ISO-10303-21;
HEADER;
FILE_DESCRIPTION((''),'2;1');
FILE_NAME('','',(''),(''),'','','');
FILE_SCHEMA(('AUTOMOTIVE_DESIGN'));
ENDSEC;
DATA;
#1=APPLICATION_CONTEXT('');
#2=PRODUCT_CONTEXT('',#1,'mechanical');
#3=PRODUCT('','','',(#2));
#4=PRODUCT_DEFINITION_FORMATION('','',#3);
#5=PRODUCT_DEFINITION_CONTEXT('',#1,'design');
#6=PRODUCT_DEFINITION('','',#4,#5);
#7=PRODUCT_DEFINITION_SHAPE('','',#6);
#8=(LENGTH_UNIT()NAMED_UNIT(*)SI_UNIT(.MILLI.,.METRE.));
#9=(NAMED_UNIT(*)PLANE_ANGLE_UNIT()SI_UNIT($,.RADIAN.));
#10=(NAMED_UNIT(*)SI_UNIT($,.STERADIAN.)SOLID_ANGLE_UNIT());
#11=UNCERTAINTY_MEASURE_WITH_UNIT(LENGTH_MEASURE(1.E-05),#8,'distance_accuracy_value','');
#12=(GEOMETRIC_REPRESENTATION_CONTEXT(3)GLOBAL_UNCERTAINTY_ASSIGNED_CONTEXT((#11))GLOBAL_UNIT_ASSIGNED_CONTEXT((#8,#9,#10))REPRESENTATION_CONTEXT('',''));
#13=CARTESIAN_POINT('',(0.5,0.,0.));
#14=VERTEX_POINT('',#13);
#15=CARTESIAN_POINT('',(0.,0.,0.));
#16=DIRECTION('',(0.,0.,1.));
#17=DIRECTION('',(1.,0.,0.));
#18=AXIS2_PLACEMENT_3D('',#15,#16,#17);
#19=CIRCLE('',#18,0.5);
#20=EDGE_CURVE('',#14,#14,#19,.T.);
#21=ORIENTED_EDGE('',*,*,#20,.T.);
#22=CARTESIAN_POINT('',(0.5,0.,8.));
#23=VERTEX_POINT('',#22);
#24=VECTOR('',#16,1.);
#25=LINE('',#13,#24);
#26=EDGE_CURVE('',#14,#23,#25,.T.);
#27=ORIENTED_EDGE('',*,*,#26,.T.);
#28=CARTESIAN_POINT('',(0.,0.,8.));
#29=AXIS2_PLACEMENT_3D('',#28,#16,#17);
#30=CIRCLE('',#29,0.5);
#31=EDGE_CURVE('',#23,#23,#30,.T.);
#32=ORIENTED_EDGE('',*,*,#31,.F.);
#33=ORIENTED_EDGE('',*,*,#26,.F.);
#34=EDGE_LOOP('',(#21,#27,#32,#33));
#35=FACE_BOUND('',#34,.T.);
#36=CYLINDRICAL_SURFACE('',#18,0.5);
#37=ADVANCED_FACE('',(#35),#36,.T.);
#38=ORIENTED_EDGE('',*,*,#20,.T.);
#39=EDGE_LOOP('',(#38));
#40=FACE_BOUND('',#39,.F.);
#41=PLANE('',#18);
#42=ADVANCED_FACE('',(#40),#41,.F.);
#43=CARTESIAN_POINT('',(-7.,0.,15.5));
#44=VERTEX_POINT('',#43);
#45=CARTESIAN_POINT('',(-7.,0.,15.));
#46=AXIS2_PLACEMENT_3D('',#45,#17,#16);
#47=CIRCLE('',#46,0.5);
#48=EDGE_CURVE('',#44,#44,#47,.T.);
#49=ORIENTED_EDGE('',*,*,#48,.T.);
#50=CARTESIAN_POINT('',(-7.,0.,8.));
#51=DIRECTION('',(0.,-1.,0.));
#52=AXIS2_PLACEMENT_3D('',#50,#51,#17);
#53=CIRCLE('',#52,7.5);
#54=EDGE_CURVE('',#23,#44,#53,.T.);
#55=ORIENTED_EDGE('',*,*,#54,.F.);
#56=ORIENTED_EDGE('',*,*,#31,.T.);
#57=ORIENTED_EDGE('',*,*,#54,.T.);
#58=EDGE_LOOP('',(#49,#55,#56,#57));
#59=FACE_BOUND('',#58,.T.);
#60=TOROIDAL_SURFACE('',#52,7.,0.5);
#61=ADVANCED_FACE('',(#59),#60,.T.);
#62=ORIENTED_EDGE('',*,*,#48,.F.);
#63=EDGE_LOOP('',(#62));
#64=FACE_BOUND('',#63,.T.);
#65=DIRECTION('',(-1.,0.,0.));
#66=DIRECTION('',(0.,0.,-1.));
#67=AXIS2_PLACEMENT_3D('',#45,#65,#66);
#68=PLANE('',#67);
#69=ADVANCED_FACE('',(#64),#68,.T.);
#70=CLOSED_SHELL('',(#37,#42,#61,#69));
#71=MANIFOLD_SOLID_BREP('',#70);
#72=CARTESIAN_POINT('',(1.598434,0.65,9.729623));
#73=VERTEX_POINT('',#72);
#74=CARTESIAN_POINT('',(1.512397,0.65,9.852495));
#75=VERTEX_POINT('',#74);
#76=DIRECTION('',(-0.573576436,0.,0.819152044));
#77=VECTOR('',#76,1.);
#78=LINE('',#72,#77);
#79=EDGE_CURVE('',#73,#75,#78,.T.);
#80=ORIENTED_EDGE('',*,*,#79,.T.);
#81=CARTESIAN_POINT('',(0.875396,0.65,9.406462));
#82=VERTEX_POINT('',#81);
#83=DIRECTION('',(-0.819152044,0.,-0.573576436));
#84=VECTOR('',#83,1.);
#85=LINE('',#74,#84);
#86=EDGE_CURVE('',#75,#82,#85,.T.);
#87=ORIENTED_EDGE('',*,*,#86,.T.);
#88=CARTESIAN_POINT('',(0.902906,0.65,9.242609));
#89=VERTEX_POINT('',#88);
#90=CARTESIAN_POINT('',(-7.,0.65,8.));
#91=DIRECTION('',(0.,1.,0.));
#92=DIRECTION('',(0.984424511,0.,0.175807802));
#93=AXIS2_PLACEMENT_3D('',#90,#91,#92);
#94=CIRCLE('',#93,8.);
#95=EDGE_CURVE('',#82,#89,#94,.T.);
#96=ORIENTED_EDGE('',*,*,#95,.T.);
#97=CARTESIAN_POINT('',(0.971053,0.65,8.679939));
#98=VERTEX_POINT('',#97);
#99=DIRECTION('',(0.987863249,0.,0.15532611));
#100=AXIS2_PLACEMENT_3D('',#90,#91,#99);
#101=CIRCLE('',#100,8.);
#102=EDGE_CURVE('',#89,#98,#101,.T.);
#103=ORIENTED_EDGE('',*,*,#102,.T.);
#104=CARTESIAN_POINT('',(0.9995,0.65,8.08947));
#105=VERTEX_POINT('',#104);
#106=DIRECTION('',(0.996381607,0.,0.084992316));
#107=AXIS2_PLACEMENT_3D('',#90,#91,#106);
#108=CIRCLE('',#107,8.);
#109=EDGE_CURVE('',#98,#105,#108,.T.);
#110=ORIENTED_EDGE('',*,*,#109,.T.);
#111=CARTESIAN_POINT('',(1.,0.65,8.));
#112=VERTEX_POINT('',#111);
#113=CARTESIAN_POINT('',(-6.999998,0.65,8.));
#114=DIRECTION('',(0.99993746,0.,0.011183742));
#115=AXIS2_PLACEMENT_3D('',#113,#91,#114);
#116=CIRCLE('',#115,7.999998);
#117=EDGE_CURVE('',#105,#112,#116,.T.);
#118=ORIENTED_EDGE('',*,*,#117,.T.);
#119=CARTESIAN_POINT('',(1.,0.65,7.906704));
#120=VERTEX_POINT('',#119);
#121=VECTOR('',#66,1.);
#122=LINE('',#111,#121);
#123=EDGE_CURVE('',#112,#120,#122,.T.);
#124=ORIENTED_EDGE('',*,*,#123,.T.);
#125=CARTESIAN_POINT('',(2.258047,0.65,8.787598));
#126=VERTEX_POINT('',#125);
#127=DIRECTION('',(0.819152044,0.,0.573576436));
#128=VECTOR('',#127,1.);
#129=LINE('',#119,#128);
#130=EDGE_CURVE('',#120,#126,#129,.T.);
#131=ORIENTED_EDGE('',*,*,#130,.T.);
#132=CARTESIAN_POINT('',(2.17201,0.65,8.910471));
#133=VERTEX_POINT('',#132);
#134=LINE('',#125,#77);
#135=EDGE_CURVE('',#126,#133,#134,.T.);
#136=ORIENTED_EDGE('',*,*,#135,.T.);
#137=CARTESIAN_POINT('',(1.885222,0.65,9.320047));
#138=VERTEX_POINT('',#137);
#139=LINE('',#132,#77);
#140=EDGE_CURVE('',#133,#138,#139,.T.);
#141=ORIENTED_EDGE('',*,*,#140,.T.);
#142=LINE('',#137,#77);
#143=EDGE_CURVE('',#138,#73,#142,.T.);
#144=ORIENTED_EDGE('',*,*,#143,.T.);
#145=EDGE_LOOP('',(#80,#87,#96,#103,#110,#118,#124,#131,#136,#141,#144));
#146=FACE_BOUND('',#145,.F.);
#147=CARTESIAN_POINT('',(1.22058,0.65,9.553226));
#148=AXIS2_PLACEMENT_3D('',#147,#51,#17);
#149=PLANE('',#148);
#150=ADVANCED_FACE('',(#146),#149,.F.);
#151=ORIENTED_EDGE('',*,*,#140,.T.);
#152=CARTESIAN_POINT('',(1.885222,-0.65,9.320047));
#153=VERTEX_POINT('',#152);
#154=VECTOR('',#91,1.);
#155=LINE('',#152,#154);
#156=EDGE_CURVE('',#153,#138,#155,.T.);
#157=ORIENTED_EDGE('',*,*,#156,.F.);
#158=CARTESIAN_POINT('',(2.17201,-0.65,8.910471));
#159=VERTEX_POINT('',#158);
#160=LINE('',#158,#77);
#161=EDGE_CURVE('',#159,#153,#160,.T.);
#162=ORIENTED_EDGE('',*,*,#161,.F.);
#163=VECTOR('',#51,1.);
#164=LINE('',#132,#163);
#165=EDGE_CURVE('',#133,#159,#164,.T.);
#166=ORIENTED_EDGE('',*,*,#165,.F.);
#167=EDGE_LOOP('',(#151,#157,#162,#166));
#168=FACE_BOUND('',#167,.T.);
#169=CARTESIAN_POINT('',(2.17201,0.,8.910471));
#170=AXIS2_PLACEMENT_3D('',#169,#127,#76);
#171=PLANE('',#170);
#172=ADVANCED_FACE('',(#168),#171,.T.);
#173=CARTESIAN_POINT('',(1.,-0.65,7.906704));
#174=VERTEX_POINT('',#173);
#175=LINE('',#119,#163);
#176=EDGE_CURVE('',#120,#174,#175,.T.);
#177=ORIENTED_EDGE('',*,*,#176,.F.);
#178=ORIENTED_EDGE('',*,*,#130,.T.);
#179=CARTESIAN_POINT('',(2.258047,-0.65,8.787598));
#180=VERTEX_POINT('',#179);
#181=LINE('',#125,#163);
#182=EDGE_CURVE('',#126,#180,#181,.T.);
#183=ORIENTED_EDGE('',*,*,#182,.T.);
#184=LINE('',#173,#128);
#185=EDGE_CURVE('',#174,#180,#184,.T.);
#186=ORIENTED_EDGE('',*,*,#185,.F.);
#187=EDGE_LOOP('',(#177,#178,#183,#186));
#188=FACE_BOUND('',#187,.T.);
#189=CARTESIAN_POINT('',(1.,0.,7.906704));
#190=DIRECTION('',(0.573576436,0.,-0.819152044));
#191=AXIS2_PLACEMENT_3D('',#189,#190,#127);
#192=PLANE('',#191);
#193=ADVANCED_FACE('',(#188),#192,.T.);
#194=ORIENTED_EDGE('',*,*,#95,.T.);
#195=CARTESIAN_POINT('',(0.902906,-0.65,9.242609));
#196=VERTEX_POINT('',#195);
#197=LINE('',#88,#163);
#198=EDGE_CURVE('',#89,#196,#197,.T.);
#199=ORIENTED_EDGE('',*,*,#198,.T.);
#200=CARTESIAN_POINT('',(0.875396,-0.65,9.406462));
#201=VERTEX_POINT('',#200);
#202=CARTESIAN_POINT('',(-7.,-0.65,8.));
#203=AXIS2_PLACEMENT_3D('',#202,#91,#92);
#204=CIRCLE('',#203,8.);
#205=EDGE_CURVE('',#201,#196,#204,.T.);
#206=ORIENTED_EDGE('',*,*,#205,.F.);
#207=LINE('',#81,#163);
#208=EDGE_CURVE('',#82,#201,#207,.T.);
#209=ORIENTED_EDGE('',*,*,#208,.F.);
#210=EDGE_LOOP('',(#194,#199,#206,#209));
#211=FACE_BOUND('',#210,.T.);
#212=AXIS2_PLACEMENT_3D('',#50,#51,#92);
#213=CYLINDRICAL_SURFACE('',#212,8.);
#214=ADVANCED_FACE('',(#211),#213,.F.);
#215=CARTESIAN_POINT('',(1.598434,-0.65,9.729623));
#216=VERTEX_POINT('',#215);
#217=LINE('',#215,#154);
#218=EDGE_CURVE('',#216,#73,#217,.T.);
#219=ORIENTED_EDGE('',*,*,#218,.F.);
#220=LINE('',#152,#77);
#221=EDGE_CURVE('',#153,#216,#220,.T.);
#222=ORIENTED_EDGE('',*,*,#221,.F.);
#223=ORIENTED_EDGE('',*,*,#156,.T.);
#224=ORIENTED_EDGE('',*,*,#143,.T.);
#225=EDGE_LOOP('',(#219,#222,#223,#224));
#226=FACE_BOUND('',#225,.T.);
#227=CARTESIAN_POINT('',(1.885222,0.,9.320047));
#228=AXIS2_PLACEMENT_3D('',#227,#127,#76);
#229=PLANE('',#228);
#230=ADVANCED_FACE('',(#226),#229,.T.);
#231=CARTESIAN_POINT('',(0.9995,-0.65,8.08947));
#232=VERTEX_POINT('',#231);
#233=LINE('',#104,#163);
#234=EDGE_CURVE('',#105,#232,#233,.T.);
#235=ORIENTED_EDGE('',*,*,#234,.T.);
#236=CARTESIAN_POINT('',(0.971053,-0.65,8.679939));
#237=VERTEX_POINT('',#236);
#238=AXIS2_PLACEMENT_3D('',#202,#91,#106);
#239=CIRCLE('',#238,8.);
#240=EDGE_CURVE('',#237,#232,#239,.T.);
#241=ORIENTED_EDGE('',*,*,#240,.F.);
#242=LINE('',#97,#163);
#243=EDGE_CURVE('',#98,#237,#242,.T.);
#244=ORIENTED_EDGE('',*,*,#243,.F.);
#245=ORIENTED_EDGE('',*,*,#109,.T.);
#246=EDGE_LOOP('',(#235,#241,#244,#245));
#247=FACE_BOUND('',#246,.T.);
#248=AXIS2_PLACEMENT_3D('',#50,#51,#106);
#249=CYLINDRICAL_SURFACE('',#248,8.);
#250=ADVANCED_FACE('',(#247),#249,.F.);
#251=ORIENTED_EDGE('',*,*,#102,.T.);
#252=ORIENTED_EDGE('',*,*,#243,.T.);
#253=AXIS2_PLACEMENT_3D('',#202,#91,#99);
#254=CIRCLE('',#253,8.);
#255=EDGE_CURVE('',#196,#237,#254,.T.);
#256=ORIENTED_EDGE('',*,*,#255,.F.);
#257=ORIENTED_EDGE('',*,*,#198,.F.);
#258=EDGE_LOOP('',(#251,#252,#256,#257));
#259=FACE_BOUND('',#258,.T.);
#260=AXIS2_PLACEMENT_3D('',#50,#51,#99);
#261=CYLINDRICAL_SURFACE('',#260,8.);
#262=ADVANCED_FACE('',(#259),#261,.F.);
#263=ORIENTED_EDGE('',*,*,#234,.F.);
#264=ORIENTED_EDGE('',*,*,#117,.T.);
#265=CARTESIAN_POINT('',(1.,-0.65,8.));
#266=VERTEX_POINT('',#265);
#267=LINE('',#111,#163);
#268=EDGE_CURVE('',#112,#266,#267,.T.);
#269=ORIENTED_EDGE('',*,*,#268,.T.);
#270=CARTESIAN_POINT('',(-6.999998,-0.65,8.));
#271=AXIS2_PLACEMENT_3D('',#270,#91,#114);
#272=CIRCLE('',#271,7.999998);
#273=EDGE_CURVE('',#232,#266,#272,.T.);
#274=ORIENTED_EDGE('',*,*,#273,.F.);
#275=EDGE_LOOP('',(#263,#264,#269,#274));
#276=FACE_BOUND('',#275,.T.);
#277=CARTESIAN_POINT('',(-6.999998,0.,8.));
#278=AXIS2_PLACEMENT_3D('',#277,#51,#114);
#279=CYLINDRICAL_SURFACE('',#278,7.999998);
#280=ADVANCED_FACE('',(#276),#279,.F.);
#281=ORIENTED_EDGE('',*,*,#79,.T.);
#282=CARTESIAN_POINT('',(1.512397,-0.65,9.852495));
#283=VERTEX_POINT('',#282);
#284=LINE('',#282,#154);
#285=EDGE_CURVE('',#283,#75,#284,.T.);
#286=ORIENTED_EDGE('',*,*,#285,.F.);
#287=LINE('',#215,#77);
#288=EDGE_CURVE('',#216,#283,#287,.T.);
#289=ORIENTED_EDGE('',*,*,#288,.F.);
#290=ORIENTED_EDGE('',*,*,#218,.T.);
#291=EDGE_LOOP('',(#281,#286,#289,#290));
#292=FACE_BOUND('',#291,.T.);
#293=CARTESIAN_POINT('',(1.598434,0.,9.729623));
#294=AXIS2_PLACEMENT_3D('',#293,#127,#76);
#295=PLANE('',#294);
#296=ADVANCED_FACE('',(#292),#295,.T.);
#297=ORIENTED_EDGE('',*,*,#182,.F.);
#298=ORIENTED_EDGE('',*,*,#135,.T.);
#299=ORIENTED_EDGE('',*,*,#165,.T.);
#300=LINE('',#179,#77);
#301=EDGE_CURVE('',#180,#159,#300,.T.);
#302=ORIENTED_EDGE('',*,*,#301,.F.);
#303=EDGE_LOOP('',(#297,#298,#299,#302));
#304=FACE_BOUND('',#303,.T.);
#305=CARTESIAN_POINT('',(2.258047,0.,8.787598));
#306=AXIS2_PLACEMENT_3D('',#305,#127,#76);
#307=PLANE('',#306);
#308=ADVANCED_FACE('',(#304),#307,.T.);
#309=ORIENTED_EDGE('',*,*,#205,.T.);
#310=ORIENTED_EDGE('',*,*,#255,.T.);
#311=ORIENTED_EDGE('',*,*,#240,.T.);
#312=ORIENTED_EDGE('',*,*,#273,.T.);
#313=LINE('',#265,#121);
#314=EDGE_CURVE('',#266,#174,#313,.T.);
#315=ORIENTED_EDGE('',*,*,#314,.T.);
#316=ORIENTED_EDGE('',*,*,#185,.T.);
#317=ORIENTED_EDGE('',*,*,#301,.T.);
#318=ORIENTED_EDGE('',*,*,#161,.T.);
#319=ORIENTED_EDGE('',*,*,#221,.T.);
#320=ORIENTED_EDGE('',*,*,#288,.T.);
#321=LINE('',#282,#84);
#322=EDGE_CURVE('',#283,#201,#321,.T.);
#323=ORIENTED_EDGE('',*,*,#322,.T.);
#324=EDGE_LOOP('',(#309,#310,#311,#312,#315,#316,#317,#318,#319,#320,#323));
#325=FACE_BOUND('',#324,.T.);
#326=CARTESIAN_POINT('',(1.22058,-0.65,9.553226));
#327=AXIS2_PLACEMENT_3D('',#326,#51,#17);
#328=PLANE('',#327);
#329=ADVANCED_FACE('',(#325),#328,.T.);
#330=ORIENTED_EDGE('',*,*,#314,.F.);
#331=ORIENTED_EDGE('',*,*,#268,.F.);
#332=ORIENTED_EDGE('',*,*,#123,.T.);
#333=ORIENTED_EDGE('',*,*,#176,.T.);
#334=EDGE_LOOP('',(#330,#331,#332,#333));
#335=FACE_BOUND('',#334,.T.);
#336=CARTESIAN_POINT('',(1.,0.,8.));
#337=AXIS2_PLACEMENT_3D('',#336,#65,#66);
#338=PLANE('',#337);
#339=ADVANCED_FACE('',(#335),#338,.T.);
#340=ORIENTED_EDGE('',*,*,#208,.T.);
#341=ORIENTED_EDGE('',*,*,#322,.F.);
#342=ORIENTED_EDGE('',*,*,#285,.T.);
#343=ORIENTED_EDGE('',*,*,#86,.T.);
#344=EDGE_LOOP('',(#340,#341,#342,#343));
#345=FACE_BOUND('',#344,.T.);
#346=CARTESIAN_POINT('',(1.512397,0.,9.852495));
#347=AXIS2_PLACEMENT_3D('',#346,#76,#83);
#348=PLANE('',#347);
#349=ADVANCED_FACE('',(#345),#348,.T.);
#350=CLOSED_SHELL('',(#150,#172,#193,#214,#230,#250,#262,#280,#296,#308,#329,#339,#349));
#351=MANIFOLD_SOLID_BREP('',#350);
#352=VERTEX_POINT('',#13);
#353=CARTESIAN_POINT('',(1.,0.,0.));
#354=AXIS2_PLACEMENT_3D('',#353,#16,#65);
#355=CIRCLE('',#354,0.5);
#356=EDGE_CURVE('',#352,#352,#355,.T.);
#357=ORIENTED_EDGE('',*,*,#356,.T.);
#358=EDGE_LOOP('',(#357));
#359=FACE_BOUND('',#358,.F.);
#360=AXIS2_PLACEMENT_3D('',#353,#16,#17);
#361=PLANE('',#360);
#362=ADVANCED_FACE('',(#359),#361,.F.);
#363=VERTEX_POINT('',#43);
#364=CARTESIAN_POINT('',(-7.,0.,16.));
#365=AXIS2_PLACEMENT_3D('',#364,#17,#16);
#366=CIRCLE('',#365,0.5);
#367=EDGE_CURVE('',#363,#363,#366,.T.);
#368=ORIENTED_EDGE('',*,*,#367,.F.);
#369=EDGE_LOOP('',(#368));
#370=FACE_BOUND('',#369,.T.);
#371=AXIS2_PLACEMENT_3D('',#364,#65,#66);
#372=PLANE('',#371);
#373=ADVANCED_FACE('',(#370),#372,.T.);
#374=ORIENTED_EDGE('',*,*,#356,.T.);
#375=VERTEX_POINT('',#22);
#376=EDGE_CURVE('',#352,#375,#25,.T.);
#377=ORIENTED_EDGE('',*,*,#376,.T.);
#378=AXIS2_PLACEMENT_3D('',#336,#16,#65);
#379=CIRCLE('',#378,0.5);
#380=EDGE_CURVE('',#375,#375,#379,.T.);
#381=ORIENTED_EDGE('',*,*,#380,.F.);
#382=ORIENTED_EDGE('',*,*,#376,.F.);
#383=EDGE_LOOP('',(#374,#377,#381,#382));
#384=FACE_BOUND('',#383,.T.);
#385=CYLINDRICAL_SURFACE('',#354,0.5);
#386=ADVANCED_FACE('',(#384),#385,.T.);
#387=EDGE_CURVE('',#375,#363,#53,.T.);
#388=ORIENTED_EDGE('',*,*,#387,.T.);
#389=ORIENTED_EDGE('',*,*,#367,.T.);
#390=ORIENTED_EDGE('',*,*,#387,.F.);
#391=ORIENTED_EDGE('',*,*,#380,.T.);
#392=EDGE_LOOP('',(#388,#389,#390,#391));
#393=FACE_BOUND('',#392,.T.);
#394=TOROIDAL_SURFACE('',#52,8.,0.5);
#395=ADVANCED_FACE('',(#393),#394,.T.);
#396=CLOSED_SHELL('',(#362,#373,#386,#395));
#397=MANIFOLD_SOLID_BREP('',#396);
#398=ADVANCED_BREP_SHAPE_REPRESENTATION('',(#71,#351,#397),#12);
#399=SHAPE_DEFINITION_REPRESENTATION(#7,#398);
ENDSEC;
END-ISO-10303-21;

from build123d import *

# Parameters (mm, degrees)
F1_R     = 0.5
F3_DEPTH = 0.65


with BuildPart() as f2:
    # F2: sweep along a path in F0
    with BuildLine(Plane.XZ) as f2_path:
        Line((0, 0), (0, 8))
        ThreePointArc((0, 8), (-2.0502525317, 12.9497474683), (-7, 15))
    # F1 (on Top) → F2 (sweep)
    with BuildSketch(Plane.XY):
        with BuildLine():
            ThreePointArc((1.5, 0), (1, 0.5), (0.5, 0))
            ThreePointArc((0.5, 0), (1, -0.5), (1.5, 0))
        make_face()
        Circle(F1_R)
    sweep(path=f2_path.line)


with BuildPart() as f3:
    # F0 (on Front) → F3 (new body, symmetric)
    with BuildSketch(Plane.XZ):
        with BuildLine():
            Line((1.5123971976, 9.8524954013), (0.875396083, 9.4064624189))
            ThreePointArc((0.875396083, 9.4064624189), (0.8895764218, 9.3246070677), (0.9029059955, 9.2426088788))
            Line((0.9029059955, 9.2426088788), (1.5984336631, 9.7296225946))
            Line((1.5984336631, 9.7296225946), (1.5123971976, 9.8524954013))
        make_face()
        with BuildLine():
            ThreePointArc((0.9029059955, 9.2426088788), (0.9419639806, 8.9618773995), (0.9710528538, 8.6799385282))
            Line((0.9710528538, 8.6799385282), (1.8852218813, 9.3200465725))
            Line((1.8852218813, 9.3200465725), (1.5984336631, 9.7296225946))
            Line((1.5984336631, 9.7296225946), (0.9029059955, 9.2426088788))
        make_face()
        with BuildLine():
            Line((2.1720100995, 8.9104705503), (0.9994996802, 8.0894699162))
            ThreePointArc((0.9994996802, 8.0894699162), (0.9998749191, 8.0447356575), (1, 8))
            Line((1, 8), (1, 7.9067040555))
            Line((1, 7.9067040555), (2.2580465649, 8.7875977437))
            Line((2.2580465649, 8.7875977437), (2.1720100995, 8.9104705503))
        make_face()
        with BuildLine():
            Line((1.8852218813, 9.3200465725), (0.9710528538, 8.6799385282))
            ThreePointArc((0.9710528538, 8.6799385282), (0.9907321539, 8.3849670688), (0.9994996802, 8.0894699162))
            Line((0.9994996802, 8.0894699162), (2.1720100995, 8.9104705503))
            Line((2.1720100995, 8.9104705503), (1.8852218813, 9.3200465725))
        make_face()
    extrude(amount=F3_DEPTH, both=True)


solid = Compound([f2.part, f3.part])
